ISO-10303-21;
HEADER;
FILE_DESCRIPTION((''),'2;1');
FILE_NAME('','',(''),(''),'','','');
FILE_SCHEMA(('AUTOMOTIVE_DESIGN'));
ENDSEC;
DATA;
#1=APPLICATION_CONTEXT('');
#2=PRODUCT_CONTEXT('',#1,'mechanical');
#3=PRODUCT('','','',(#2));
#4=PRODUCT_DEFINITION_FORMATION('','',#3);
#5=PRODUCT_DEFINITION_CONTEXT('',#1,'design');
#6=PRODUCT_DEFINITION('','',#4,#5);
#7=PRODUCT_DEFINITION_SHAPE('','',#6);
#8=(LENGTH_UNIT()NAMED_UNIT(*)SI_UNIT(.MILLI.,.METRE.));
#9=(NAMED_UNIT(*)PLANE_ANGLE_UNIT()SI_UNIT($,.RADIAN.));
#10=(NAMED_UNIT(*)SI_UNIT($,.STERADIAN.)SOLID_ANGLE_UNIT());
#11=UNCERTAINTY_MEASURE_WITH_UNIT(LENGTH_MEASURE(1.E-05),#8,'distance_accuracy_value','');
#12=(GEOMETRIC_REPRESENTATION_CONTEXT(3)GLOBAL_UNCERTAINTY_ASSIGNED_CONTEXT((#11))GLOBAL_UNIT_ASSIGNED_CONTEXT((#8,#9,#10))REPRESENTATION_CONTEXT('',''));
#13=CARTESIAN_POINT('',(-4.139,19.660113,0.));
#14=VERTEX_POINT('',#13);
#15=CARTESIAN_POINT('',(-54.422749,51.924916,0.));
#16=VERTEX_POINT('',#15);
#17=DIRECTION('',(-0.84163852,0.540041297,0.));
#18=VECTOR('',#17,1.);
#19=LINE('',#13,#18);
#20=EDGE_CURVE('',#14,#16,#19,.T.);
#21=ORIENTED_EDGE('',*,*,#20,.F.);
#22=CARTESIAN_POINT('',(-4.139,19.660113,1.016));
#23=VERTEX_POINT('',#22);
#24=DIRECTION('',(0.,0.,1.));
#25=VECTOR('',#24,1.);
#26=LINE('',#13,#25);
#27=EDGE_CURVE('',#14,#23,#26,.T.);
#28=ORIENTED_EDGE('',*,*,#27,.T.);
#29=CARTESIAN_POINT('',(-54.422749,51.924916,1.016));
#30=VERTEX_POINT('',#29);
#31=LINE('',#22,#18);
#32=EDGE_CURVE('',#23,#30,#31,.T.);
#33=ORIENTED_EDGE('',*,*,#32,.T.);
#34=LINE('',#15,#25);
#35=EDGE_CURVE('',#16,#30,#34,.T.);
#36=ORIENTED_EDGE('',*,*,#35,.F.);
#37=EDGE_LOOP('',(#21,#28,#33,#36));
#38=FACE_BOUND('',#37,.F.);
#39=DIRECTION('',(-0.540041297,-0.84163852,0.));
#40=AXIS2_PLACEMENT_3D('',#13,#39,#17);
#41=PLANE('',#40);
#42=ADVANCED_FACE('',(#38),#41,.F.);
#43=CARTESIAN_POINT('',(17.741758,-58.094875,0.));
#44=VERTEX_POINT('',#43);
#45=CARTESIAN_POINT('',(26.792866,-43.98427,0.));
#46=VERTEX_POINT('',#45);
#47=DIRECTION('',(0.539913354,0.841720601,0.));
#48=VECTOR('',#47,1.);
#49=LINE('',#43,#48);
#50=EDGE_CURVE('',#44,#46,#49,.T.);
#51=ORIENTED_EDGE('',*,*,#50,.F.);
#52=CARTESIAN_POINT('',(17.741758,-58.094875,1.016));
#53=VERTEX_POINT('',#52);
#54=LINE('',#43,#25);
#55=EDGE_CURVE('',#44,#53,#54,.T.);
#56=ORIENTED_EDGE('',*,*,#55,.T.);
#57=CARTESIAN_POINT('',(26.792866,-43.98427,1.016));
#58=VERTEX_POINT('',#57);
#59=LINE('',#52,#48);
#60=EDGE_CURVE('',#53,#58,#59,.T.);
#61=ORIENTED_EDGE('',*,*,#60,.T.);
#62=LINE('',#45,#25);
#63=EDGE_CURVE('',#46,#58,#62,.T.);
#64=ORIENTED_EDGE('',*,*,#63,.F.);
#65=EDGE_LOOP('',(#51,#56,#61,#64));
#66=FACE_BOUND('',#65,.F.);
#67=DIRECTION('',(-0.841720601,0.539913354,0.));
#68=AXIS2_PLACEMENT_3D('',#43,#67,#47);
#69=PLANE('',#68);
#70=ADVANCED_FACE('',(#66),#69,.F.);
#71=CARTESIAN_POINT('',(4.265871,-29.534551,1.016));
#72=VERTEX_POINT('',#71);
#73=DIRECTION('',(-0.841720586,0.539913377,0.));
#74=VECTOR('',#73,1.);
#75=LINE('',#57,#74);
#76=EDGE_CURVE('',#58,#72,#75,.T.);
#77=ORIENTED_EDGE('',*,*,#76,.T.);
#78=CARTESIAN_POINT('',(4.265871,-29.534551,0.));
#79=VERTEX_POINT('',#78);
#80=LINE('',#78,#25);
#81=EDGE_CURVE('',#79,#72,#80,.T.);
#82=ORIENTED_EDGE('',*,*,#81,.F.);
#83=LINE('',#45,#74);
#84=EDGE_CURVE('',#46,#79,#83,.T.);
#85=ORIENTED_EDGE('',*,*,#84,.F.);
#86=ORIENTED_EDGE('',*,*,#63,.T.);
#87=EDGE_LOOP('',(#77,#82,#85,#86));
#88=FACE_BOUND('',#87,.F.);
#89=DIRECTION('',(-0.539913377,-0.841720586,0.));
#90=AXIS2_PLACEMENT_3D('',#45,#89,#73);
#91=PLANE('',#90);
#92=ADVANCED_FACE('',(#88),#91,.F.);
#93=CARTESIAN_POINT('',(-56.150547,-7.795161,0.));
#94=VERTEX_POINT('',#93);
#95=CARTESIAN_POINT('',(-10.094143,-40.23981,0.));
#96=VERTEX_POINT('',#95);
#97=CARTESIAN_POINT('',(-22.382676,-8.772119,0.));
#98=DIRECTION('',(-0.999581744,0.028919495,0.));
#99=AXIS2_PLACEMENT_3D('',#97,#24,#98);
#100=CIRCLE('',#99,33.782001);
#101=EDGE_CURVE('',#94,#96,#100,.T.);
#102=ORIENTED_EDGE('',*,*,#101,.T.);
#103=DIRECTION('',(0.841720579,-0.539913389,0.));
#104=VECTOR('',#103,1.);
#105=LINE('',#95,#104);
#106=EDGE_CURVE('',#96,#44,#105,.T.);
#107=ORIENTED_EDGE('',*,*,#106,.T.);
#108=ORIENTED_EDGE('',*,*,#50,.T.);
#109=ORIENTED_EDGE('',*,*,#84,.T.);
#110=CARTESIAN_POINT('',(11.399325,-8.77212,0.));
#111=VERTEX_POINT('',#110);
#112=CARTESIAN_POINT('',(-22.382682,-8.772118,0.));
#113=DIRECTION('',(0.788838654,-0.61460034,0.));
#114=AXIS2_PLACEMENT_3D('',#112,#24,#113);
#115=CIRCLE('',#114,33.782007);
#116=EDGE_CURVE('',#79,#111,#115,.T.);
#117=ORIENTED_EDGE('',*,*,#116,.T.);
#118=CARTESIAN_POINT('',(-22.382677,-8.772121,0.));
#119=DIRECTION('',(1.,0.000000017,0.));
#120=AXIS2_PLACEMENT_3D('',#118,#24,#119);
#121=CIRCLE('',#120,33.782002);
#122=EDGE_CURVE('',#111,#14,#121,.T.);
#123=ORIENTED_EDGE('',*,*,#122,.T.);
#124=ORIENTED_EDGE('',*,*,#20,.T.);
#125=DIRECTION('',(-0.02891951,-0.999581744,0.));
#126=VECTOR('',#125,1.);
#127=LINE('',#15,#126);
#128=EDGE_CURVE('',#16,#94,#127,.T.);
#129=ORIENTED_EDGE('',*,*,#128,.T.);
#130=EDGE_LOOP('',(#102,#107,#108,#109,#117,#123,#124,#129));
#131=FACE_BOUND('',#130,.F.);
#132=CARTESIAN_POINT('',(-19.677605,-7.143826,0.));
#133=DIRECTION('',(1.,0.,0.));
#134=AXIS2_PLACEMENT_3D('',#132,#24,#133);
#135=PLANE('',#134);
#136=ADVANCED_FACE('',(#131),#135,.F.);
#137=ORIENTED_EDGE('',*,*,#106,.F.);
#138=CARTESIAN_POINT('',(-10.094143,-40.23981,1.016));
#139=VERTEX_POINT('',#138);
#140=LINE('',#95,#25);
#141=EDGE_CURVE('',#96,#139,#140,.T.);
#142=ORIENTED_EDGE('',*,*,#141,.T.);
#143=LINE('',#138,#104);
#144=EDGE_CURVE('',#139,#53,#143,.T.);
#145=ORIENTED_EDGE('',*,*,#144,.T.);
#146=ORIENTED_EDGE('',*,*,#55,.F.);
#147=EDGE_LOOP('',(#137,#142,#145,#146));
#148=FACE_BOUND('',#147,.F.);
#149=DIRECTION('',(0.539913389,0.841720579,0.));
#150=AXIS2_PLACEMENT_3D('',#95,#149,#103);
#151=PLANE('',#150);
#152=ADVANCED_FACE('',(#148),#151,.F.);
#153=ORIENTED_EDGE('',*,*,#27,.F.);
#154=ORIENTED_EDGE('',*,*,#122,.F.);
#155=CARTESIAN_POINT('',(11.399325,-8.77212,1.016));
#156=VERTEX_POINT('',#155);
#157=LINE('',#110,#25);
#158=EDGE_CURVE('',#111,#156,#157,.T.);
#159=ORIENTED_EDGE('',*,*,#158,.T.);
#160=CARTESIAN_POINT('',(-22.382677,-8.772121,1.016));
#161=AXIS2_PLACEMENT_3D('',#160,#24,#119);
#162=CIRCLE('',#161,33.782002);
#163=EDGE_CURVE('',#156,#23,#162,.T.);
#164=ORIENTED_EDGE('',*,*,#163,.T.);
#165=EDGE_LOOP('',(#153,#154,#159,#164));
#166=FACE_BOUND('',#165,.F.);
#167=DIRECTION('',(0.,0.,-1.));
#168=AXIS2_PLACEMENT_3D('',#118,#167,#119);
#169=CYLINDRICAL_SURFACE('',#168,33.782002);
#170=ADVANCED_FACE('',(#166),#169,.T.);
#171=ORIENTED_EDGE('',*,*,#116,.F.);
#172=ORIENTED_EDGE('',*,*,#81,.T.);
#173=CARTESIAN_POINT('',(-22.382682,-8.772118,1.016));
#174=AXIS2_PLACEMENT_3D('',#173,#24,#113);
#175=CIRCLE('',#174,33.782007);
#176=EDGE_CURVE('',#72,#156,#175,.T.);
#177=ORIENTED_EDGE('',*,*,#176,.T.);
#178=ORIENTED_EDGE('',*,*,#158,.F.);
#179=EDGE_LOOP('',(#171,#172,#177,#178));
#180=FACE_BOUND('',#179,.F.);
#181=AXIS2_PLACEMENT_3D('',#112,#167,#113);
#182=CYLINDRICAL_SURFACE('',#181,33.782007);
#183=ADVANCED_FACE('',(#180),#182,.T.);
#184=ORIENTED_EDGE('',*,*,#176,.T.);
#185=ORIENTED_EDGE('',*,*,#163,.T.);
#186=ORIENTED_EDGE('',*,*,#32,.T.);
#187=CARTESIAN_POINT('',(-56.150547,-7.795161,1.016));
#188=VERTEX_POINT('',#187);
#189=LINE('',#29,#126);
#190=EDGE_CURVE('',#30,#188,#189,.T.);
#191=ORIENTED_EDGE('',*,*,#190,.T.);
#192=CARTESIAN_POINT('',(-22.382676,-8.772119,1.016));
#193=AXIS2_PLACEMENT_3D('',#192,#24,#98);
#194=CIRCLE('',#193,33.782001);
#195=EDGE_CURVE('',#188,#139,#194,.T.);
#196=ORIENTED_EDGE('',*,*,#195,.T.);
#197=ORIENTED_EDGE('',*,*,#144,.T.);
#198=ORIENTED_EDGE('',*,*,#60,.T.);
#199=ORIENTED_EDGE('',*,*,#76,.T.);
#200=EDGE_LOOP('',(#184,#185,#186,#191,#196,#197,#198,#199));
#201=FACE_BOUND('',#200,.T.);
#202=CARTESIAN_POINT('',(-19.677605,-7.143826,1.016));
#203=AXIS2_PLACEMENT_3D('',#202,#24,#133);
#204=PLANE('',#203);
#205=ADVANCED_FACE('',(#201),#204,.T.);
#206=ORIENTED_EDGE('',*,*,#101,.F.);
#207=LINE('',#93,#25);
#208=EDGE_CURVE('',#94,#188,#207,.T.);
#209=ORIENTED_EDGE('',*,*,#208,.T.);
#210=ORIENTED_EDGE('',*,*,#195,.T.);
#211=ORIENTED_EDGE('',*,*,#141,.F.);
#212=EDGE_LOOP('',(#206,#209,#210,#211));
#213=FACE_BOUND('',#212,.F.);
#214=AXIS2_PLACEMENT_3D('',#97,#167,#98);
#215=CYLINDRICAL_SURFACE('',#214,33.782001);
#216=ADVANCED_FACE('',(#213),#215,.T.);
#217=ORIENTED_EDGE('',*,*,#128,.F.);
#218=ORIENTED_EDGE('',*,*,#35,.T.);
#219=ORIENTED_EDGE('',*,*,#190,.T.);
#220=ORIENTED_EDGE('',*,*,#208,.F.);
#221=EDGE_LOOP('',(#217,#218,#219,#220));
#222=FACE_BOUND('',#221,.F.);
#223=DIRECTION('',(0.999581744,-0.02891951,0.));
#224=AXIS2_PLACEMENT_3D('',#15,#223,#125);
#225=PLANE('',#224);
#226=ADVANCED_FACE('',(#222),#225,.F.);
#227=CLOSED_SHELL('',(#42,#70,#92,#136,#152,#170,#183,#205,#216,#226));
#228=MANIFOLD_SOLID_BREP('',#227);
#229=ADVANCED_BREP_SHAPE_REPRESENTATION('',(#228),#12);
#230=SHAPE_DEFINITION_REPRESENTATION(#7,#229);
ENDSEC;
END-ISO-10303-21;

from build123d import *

# Parameters (mm, degrees)
F1_DEPTH = 1.016


with BuildPart() as f1:
    # F0 (on Top) → F1 (new body)
    with BuildSketch(Plane.XY):
        with BuildLine():
            Line((-4.139, 19.660113), (-54.422749, 51.924916))
            Line((-54.422749, 51.924916), (-56.150547, -7.795161))
            ThreePointArc((-56.150547, -7.795161), (-41.837863, -36.389492), (-10.094143, -40.23981))
            Line((-10.094143, -40.23981), (17.741758, -58.094875))
            Line((17.741758, -58.094875), (26.792866, -43.98427))
            Line((26.792866, -43.98427), (4.265871, -29.534551))
            ThreePointArc((4.265871, -29.534551), (9.566227, -19.748967), (11.399325, -8.77212))
            ThreePointArc((11.399325, -8.77212), (7.261307, 7.428431), (-4.139, 19.660113))
        make_face()
    extrude(amount=F1_DEPTH)


solid = f1.part
